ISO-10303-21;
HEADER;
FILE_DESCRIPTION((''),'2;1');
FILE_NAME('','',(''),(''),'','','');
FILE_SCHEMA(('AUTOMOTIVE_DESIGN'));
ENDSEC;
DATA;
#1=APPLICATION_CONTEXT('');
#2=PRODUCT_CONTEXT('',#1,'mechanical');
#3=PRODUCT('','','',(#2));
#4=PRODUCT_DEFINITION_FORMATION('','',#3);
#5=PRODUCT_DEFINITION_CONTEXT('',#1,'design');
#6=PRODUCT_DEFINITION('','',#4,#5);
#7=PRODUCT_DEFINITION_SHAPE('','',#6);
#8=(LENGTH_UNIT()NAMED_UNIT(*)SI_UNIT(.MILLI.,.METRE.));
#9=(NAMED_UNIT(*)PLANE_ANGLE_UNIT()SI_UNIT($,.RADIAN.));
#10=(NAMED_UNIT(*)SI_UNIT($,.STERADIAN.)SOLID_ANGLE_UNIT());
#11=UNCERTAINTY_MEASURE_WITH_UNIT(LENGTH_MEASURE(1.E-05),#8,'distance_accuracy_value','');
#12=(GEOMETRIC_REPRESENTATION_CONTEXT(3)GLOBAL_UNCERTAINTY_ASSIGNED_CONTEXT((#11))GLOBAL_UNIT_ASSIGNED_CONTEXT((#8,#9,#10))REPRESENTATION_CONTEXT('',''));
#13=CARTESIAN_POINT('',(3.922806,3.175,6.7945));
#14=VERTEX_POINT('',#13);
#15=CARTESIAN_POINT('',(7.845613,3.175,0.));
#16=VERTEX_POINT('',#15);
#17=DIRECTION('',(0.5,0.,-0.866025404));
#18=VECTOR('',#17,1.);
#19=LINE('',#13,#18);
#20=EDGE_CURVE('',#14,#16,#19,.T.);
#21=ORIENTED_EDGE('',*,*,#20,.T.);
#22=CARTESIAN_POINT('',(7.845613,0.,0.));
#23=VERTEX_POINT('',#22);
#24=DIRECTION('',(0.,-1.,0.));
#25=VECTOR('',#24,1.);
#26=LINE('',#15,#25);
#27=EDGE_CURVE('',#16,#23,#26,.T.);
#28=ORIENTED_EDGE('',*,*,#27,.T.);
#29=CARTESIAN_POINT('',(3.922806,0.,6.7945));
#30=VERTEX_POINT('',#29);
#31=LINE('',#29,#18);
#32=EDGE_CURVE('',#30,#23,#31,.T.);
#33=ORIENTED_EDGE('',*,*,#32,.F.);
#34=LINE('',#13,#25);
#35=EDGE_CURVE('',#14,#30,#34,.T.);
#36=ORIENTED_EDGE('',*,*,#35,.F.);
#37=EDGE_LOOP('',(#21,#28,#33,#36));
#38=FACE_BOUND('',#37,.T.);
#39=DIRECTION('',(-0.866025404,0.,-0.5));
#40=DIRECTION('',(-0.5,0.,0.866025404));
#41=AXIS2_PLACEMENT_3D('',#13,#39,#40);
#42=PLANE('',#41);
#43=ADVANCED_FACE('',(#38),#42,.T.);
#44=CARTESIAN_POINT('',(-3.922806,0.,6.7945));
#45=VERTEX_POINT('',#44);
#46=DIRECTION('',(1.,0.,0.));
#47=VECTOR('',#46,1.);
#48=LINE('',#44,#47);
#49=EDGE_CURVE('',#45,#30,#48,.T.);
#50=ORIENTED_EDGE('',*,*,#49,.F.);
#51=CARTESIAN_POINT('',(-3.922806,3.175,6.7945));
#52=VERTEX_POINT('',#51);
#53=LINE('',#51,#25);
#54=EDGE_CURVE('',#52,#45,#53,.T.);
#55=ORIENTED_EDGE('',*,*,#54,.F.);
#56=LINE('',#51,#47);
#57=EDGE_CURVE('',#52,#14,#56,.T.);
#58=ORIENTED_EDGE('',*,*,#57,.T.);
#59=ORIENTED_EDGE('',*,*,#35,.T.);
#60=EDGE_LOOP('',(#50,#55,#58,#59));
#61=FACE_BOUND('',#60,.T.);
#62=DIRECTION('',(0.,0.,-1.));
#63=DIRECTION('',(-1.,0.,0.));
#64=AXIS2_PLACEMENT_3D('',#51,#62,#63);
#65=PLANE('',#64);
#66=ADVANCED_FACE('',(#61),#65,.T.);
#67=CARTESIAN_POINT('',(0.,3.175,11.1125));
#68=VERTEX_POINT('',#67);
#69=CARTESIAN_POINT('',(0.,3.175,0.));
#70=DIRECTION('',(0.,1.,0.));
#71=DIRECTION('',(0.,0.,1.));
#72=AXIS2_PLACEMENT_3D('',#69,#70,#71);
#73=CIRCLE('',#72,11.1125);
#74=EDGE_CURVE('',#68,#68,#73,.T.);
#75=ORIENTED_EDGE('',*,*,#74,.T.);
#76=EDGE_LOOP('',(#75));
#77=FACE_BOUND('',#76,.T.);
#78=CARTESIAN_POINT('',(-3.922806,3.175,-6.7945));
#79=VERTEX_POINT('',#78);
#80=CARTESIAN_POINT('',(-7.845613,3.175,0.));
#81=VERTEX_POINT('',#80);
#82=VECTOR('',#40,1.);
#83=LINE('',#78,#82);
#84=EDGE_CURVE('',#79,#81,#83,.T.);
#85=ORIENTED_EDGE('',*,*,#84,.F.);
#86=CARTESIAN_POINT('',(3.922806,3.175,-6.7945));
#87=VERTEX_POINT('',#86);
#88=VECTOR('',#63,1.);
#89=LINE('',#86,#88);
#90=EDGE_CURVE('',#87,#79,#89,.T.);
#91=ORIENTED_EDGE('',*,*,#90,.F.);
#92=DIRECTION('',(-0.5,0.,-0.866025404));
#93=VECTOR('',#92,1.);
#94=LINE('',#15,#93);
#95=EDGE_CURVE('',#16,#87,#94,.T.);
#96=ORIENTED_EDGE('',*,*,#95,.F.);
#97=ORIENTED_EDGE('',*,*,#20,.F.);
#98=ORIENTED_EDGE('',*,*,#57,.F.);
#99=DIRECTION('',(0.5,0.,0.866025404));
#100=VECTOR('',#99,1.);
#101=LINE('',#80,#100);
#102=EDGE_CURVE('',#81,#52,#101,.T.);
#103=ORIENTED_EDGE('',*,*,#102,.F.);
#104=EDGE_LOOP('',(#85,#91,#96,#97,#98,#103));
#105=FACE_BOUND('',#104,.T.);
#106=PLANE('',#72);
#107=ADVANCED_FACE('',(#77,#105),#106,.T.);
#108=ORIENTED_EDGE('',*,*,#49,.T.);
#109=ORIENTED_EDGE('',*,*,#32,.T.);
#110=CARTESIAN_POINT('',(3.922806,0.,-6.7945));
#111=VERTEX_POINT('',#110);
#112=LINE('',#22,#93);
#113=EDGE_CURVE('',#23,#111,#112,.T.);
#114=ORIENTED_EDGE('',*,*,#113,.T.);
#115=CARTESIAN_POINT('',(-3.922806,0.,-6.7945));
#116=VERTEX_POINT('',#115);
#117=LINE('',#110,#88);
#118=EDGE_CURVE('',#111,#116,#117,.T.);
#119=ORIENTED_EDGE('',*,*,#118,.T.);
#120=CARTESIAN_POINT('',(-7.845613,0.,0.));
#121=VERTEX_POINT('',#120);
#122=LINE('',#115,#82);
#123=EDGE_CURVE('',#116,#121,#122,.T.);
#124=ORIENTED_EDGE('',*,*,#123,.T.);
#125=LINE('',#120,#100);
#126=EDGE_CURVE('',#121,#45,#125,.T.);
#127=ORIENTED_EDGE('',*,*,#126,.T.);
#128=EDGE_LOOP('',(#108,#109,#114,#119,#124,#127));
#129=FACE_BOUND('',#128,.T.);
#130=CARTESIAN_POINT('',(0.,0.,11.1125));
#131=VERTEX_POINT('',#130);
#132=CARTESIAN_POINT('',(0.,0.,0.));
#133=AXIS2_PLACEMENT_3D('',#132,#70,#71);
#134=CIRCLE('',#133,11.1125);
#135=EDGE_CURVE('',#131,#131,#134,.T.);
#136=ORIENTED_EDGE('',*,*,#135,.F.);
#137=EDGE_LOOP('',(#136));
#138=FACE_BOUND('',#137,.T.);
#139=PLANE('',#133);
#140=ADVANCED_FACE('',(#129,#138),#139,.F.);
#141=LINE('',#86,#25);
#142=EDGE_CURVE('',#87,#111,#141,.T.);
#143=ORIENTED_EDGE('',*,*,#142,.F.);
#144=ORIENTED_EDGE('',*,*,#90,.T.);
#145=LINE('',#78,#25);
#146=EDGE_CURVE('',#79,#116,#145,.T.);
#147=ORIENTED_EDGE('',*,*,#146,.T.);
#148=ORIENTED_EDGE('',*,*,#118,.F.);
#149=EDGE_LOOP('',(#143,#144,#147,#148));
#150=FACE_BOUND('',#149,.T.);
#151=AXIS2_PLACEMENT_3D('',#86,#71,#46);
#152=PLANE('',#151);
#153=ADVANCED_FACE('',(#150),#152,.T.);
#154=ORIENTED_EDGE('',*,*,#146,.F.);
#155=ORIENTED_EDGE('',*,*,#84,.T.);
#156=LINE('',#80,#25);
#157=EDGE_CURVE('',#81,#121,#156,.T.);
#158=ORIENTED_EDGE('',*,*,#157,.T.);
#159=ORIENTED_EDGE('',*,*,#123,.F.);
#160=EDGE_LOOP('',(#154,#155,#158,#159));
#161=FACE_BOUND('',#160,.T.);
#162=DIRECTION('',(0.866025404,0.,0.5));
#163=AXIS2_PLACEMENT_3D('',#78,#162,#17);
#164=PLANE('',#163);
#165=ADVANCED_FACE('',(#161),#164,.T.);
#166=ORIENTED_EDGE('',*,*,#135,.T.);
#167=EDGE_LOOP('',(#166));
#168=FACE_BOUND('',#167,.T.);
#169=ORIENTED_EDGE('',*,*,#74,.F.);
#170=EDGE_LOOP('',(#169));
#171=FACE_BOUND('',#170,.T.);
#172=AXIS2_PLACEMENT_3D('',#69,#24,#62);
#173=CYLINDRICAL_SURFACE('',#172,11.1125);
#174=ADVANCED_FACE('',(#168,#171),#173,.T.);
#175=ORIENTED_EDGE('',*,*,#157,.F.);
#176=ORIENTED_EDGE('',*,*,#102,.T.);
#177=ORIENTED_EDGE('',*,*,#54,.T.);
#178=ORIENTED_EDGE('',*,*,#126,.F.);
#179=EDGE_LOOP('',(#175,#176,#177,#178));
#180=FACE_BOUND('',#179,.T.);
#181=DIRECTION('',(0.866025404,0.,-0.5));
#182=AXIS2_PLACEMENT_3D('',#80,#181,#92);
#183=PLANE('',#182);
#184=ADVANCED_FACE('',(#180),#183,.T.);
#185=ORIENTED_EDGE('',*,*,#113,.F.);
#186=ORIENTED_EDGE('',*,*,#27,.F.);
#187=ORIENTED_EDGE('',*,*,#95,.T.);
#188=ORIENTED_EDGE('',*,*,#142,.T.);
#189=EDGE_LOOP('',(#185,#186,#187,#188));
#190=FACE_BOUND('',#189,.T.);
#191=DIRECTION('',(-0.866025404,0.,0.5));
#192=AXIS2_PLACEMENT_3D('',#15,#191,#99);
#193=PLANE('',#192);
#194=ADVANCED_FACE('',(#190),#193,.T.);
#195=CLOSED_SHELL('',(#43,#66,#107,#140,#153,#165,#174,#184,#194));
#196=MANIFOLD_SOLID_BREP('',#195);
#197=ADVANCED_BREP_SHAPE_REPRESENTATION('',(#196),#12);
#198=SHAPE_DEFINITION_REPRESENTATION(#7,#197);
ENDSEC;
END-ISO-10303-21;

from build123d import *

# Parameters (mm, degrees)
SKETCH1_R           = 11.1125
BOSS_EXTRUDE1_DEPTH = 3.175


with BuildPart() as part:
    # Sketch1 → Boss-Extrude1 (new body)
    with BuildSketch(Plane(origin=(0, 0, 0), x_dir=(1, 0, 0), z_dir=(0, 1, 0))):
        Circle(SKETCH1_R)
        Polygon((7.845612808, 0), (3.922806404, 6.7945), (-3.922806404, 6.7945), (-7.845612808, 0), (-3.922806404, -6.7945), (3.922806404, -6.7945), align=None, mode=Mode.SUBTRACT)
    extrude(amount=BOSS_EXTRUDE1_DEPTH)


solid = part.part
